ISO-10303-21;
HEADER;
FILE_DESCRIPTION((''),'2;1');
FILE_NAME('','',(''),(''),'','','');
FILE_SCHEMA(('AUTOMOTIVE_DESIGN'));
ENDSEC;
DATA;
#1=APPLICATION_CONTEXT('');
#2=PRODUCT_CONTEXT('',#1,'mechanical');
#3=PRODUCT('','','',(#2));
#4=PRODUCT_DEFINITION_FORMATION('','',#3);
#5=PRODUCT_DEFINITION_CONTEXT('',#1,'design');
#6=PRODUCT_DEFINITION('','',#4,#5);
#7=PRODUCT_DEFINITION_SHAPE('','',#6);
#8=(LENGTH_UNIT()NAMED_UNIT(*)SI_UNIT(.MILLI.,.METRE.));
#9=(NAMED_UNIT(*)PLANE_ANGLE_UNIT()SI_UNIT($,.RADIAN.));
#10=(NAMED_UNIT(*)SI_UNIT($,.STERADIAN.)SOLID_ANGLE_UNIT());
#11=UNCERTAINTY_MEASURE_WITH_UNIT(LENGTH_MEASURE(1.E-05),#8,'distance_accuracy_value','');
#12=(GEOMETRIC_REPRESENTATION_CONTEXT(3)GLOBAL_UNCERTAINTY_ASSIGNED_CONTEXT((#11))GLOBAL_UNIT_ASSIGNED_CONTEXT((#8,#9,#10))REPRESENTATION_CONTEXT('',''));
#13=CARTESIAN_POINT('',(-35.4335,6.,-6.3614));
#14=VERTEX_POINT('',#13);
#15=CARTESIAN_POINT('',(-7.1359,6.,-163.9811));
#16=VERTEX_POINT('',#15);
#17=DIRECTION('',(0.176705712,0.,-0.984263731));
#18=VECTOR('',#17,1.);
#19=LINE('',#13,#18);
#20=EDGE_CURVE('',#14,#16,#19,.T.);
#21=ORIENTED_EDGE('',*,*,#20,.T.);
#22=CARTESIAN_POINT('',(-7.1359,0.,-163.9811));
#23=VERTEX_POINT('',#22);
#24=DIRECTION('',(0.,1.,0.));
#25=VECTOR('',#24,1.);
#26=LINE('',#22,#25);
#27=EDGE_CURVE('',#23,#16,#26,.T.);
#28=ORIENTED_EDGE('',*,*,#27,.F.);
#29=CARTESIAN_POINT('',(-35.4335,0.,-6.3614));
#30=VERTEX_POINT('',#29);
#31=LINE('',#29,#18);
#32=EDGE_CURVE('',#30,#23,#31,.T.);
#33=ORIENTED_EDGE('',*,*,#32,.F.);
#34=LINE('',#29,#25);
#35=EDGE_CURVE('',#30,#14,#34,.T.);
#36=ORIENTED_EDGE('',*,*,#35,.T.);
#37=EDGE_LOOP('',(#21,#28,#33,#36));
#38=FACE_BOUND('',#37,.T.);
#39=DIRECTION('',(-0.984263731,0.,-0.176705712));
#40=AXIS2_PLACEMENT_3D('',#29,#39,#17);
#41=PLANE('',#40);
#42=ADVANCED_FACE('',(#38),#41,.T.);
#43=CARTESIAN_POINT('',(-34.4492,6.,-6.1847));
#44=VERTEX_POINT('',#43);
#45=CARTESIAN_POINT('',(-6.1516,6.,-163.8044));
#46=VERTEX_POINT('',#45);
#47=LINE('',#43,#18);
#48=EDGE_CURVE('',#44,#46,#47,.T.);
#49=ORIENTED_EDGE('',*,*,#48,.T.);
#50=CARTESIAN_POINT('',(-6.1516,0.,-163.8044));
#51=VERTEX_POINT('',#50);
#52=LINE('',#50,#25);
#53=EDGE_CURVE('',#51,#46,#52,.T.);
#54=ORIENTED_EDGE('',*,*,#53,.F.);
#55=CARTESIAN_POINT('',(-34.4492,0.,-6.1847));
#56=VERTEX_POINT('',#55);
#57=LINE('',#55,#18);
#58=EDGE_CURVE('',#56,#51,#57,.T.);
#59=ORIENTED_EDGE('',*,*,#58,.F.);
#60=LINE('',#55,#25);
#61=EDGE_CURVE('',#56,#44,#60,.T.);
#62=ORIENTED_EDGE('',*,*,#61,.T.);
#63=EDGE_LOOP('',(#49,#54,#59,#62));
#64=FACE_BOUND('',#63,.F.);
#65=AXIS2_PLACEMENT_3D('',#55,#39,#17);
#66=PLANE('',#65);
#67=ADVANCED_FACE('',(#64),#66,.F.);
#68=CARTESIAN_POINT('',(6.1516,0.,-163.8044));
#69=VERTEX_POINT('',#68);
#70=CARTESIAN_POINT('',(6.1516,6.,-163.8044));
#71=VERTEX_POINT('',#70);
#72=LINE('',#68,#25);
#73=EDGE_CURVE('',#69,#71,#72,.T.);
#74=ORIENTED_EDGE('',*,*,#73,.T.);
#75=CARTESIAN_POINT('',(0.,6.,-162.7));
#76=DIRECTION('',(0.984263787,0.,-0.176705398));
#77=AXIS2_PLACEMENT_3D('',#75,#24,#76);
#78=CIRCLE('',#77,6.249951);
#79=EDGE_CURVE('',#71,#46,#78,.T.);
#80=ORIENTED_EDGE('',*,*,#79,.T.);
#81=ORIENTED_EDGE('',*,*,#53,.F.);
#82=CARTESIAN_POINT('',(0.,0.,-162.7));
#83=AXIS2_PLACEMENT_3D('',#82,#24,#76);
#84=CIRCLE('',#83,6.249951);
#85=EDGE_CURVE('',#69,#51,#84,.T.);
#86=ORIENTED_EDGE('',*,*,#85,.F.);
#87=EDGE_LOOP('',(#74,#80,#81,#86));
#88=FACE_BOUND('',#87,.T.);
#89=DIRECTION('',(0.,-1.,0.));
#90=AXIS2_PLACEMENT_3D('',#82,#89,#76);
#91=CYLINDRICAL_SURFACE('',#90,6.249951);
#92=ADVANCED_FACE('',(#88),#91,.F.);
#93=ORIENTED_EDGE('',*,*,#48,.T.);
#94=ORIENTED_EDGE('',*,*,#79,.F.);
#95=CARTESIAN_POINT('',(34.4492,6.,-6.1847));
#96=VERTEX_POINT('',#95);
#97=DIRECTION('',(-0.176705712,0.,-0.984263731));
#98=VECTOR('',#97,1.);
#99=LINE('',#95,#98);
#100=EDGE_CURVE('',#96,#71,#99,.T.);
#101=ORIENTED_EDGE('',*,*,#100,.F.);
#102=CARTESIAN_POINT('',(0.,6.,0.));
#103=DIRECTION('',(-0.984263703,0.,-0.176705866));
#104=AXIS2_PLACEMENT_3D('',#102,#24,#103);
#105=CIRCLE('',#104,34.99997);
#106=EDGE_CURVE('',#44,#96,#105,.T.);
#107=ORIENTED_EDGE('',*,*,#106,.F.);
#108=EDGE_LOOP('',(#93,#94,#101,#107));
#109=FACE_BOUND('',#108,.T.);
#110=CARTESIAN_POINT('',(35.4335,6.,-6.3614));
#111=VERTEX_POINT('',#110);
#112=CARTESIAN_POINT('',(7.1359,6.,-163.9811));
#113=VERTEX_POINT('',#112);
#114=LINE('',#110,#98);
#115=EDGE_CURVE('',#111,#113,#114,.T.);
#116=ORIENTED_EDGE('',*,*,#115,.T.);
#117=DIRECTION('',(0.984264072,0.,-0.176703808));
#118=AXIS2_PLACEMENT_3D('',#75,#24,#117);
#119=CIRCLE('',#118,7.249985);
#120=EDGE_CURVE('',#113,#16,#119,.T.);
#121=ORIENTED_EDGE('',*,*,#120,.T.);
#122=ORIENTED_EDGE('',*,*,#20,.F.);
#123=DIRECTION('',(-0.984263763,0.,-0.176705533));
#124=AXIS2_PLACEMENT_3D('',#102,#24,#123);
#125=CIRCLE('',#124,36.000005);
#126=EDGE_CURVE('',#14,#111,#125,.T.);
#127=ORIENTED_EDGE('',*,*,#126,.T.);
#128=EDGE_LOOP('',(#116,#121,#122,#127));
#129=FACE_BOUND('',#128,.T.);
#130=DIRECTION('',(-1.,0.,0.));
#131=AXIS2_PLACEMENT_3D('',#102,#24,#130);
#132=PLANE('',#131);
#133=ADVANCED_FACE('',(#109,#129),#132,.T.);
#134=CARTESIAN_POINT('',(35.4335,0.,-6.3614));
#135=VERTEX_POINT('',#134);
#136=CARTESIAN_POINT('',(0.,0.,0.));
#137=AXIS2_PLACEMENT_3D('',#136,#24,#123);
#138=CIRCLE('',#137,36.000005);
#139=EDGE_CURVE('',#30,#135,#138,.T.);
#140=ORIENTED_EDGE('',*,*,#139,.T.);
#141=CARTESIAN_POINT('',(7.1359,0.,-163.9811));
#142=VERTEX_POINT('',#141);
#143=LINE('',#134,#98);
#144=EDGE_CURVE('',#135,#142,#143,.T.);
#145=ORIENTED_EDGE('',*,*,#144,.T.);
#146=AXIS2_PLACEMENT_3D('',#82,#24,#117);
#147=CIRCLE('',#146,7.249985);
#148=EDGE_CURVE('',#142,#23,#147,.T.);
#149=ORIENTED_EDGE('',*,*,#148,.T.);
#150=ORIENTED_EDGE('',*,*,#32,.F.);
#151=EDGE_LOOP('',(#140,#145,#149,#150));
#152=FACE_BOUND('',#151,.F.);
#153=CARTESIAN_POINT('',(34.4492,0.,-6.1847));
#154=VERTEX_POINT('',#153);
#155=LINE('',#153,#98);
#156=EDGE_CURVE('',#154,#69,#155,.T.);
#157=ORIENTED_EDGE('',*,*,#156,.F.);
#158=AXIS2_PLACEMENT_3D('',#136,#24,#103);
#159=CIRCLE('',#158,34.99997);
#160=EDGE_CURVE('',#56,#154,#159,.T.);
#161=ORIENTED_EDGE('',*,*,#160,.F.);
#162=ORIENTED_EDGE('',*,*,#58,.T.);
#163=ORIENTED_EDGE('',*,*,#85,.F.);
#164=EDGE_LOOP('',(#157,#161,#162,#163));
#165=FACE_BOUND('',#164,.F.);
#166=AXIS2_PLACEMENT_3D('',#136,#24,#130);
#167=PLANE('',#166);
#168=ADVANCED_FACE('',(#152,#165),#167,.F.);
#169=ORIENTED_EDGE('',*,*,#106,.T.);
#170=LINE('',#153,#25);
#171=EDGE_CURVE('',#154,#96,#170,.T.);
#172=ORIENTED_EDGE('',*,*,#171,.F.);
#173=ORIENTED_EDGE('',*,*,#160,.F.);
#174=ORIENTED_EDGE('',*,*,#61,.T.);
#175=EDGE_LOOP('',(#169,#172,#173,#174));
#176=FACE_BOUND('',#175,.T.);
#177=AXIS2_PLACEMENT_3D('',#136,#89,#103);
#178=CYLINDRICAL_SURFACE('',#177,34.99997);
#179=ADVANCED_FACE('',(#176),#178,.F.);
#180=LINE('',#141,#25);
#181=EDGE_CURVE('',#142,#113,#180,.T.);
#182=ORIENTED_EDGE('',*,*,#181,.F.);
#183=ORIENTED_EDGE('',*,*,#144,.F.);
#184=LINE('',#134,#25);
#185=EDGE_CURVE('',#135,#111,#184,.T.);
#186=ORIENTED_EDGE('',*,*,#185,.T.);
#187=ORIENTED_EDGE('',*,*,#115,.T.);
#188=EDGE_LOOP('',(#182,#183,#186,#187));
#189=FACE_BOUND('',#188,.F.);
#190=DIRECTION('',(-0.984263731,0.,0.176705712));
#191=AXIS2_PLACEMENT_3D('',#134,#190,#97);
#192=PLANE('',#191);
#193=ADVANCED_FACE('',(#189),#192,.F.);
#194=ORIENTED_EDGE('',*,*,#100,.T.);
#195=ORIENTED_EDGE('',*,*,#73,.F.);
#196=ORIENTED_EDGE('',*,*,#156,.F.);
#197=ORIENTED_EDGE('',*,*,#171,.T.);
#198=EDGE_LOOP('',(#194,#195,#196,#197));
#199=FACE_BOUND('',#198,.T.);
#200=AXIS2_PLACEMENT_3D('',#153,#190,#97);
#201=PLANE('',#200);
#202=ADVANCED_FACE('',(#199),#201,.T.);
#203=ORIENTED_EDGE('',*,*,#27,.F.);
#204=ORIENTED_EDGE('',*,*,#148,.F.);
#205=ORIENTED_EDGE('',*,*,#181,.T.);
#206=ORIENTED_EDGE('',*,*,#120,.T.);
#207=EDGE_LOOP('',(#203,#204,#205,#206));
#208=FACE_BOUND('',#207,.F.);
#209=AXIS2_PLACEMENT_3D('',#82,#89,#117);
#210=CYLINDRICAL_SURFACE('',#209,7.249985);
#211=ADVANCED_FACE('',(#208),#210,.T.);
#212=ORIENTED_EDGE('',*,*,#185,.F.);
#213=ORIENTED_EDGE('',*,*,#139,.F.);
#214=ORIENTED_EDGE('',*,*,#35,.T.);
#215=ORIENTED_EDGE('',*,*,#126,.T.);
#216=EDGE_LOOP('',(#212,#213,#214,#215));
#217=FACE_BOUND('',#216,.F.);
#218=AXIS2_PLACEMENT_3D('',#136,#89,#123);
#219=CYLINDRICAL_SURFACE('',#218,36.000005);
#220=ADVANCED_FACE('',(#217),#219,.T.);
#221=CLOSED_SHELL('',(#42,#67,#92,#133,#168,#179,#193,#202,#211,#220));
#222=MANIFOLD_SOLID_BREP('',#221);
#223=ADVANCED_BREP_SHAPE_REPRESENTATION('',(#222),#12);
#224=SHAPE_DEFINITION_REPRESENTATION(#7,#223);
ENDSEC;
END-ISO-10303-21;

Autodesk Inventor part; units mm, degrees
ref_plane "YZ Plane" through (0, 0, 0) normal (1, 0, 0) x (0, 1, 0)
ref_plane "XZ Plane" through (0, 0, 0) normal (0, 1, 0) x (-1, 0, 0)
ref_plane "XY Plane" through (0, 0, 0) normal (0, 0, 1) x (1, 0, 0)
sketch "Sketch1" plane through (0, 0, 0) normal (0, 1, 0) x (-1, 0, 0)
  point P0 (0, 0)
sketch "Sketch2" plane through (0, 0, 0) normal (0, 1, 0) x (-1, 0, 0)
  arc A0 (34.4492, -6.1847) -> (-34.4492, -6.1847) centre (0, 0) ccw
  arc A1 (-6.1516, -163.8044) -> (6.1516, -163.8044) centre (0, -162.7) ccw
  line L0 (34.4492, -6.1847) -> (6.1516, -163.8044)
  line L1 (-34.4492, -6.1847) -> (-6.1516, -163.8044)
  arc A2 (35.4335, -6.3614) -> (-35.4335, -6.3614) centre (0, 0) ccw
  arc A3 (-7.1359, -163.9811) -> (7.1359, -163.9811) centre (0, -162.7) ccw
  line L2 (35.4335, -6.3614) -> (7.1359, -163.9811)
  line L3 (-35.4335, -6.3614) -> (-7.1359, -163.9811)
  dimension "d0" = 70
  dimension "d2" = 12.5
  dimension "d3" = 72
  dimension "d4" = 14.5
extrude "Extrusion1" add sketch "Sketch2" along normal blind 6
properties part number "belt_460mm"
